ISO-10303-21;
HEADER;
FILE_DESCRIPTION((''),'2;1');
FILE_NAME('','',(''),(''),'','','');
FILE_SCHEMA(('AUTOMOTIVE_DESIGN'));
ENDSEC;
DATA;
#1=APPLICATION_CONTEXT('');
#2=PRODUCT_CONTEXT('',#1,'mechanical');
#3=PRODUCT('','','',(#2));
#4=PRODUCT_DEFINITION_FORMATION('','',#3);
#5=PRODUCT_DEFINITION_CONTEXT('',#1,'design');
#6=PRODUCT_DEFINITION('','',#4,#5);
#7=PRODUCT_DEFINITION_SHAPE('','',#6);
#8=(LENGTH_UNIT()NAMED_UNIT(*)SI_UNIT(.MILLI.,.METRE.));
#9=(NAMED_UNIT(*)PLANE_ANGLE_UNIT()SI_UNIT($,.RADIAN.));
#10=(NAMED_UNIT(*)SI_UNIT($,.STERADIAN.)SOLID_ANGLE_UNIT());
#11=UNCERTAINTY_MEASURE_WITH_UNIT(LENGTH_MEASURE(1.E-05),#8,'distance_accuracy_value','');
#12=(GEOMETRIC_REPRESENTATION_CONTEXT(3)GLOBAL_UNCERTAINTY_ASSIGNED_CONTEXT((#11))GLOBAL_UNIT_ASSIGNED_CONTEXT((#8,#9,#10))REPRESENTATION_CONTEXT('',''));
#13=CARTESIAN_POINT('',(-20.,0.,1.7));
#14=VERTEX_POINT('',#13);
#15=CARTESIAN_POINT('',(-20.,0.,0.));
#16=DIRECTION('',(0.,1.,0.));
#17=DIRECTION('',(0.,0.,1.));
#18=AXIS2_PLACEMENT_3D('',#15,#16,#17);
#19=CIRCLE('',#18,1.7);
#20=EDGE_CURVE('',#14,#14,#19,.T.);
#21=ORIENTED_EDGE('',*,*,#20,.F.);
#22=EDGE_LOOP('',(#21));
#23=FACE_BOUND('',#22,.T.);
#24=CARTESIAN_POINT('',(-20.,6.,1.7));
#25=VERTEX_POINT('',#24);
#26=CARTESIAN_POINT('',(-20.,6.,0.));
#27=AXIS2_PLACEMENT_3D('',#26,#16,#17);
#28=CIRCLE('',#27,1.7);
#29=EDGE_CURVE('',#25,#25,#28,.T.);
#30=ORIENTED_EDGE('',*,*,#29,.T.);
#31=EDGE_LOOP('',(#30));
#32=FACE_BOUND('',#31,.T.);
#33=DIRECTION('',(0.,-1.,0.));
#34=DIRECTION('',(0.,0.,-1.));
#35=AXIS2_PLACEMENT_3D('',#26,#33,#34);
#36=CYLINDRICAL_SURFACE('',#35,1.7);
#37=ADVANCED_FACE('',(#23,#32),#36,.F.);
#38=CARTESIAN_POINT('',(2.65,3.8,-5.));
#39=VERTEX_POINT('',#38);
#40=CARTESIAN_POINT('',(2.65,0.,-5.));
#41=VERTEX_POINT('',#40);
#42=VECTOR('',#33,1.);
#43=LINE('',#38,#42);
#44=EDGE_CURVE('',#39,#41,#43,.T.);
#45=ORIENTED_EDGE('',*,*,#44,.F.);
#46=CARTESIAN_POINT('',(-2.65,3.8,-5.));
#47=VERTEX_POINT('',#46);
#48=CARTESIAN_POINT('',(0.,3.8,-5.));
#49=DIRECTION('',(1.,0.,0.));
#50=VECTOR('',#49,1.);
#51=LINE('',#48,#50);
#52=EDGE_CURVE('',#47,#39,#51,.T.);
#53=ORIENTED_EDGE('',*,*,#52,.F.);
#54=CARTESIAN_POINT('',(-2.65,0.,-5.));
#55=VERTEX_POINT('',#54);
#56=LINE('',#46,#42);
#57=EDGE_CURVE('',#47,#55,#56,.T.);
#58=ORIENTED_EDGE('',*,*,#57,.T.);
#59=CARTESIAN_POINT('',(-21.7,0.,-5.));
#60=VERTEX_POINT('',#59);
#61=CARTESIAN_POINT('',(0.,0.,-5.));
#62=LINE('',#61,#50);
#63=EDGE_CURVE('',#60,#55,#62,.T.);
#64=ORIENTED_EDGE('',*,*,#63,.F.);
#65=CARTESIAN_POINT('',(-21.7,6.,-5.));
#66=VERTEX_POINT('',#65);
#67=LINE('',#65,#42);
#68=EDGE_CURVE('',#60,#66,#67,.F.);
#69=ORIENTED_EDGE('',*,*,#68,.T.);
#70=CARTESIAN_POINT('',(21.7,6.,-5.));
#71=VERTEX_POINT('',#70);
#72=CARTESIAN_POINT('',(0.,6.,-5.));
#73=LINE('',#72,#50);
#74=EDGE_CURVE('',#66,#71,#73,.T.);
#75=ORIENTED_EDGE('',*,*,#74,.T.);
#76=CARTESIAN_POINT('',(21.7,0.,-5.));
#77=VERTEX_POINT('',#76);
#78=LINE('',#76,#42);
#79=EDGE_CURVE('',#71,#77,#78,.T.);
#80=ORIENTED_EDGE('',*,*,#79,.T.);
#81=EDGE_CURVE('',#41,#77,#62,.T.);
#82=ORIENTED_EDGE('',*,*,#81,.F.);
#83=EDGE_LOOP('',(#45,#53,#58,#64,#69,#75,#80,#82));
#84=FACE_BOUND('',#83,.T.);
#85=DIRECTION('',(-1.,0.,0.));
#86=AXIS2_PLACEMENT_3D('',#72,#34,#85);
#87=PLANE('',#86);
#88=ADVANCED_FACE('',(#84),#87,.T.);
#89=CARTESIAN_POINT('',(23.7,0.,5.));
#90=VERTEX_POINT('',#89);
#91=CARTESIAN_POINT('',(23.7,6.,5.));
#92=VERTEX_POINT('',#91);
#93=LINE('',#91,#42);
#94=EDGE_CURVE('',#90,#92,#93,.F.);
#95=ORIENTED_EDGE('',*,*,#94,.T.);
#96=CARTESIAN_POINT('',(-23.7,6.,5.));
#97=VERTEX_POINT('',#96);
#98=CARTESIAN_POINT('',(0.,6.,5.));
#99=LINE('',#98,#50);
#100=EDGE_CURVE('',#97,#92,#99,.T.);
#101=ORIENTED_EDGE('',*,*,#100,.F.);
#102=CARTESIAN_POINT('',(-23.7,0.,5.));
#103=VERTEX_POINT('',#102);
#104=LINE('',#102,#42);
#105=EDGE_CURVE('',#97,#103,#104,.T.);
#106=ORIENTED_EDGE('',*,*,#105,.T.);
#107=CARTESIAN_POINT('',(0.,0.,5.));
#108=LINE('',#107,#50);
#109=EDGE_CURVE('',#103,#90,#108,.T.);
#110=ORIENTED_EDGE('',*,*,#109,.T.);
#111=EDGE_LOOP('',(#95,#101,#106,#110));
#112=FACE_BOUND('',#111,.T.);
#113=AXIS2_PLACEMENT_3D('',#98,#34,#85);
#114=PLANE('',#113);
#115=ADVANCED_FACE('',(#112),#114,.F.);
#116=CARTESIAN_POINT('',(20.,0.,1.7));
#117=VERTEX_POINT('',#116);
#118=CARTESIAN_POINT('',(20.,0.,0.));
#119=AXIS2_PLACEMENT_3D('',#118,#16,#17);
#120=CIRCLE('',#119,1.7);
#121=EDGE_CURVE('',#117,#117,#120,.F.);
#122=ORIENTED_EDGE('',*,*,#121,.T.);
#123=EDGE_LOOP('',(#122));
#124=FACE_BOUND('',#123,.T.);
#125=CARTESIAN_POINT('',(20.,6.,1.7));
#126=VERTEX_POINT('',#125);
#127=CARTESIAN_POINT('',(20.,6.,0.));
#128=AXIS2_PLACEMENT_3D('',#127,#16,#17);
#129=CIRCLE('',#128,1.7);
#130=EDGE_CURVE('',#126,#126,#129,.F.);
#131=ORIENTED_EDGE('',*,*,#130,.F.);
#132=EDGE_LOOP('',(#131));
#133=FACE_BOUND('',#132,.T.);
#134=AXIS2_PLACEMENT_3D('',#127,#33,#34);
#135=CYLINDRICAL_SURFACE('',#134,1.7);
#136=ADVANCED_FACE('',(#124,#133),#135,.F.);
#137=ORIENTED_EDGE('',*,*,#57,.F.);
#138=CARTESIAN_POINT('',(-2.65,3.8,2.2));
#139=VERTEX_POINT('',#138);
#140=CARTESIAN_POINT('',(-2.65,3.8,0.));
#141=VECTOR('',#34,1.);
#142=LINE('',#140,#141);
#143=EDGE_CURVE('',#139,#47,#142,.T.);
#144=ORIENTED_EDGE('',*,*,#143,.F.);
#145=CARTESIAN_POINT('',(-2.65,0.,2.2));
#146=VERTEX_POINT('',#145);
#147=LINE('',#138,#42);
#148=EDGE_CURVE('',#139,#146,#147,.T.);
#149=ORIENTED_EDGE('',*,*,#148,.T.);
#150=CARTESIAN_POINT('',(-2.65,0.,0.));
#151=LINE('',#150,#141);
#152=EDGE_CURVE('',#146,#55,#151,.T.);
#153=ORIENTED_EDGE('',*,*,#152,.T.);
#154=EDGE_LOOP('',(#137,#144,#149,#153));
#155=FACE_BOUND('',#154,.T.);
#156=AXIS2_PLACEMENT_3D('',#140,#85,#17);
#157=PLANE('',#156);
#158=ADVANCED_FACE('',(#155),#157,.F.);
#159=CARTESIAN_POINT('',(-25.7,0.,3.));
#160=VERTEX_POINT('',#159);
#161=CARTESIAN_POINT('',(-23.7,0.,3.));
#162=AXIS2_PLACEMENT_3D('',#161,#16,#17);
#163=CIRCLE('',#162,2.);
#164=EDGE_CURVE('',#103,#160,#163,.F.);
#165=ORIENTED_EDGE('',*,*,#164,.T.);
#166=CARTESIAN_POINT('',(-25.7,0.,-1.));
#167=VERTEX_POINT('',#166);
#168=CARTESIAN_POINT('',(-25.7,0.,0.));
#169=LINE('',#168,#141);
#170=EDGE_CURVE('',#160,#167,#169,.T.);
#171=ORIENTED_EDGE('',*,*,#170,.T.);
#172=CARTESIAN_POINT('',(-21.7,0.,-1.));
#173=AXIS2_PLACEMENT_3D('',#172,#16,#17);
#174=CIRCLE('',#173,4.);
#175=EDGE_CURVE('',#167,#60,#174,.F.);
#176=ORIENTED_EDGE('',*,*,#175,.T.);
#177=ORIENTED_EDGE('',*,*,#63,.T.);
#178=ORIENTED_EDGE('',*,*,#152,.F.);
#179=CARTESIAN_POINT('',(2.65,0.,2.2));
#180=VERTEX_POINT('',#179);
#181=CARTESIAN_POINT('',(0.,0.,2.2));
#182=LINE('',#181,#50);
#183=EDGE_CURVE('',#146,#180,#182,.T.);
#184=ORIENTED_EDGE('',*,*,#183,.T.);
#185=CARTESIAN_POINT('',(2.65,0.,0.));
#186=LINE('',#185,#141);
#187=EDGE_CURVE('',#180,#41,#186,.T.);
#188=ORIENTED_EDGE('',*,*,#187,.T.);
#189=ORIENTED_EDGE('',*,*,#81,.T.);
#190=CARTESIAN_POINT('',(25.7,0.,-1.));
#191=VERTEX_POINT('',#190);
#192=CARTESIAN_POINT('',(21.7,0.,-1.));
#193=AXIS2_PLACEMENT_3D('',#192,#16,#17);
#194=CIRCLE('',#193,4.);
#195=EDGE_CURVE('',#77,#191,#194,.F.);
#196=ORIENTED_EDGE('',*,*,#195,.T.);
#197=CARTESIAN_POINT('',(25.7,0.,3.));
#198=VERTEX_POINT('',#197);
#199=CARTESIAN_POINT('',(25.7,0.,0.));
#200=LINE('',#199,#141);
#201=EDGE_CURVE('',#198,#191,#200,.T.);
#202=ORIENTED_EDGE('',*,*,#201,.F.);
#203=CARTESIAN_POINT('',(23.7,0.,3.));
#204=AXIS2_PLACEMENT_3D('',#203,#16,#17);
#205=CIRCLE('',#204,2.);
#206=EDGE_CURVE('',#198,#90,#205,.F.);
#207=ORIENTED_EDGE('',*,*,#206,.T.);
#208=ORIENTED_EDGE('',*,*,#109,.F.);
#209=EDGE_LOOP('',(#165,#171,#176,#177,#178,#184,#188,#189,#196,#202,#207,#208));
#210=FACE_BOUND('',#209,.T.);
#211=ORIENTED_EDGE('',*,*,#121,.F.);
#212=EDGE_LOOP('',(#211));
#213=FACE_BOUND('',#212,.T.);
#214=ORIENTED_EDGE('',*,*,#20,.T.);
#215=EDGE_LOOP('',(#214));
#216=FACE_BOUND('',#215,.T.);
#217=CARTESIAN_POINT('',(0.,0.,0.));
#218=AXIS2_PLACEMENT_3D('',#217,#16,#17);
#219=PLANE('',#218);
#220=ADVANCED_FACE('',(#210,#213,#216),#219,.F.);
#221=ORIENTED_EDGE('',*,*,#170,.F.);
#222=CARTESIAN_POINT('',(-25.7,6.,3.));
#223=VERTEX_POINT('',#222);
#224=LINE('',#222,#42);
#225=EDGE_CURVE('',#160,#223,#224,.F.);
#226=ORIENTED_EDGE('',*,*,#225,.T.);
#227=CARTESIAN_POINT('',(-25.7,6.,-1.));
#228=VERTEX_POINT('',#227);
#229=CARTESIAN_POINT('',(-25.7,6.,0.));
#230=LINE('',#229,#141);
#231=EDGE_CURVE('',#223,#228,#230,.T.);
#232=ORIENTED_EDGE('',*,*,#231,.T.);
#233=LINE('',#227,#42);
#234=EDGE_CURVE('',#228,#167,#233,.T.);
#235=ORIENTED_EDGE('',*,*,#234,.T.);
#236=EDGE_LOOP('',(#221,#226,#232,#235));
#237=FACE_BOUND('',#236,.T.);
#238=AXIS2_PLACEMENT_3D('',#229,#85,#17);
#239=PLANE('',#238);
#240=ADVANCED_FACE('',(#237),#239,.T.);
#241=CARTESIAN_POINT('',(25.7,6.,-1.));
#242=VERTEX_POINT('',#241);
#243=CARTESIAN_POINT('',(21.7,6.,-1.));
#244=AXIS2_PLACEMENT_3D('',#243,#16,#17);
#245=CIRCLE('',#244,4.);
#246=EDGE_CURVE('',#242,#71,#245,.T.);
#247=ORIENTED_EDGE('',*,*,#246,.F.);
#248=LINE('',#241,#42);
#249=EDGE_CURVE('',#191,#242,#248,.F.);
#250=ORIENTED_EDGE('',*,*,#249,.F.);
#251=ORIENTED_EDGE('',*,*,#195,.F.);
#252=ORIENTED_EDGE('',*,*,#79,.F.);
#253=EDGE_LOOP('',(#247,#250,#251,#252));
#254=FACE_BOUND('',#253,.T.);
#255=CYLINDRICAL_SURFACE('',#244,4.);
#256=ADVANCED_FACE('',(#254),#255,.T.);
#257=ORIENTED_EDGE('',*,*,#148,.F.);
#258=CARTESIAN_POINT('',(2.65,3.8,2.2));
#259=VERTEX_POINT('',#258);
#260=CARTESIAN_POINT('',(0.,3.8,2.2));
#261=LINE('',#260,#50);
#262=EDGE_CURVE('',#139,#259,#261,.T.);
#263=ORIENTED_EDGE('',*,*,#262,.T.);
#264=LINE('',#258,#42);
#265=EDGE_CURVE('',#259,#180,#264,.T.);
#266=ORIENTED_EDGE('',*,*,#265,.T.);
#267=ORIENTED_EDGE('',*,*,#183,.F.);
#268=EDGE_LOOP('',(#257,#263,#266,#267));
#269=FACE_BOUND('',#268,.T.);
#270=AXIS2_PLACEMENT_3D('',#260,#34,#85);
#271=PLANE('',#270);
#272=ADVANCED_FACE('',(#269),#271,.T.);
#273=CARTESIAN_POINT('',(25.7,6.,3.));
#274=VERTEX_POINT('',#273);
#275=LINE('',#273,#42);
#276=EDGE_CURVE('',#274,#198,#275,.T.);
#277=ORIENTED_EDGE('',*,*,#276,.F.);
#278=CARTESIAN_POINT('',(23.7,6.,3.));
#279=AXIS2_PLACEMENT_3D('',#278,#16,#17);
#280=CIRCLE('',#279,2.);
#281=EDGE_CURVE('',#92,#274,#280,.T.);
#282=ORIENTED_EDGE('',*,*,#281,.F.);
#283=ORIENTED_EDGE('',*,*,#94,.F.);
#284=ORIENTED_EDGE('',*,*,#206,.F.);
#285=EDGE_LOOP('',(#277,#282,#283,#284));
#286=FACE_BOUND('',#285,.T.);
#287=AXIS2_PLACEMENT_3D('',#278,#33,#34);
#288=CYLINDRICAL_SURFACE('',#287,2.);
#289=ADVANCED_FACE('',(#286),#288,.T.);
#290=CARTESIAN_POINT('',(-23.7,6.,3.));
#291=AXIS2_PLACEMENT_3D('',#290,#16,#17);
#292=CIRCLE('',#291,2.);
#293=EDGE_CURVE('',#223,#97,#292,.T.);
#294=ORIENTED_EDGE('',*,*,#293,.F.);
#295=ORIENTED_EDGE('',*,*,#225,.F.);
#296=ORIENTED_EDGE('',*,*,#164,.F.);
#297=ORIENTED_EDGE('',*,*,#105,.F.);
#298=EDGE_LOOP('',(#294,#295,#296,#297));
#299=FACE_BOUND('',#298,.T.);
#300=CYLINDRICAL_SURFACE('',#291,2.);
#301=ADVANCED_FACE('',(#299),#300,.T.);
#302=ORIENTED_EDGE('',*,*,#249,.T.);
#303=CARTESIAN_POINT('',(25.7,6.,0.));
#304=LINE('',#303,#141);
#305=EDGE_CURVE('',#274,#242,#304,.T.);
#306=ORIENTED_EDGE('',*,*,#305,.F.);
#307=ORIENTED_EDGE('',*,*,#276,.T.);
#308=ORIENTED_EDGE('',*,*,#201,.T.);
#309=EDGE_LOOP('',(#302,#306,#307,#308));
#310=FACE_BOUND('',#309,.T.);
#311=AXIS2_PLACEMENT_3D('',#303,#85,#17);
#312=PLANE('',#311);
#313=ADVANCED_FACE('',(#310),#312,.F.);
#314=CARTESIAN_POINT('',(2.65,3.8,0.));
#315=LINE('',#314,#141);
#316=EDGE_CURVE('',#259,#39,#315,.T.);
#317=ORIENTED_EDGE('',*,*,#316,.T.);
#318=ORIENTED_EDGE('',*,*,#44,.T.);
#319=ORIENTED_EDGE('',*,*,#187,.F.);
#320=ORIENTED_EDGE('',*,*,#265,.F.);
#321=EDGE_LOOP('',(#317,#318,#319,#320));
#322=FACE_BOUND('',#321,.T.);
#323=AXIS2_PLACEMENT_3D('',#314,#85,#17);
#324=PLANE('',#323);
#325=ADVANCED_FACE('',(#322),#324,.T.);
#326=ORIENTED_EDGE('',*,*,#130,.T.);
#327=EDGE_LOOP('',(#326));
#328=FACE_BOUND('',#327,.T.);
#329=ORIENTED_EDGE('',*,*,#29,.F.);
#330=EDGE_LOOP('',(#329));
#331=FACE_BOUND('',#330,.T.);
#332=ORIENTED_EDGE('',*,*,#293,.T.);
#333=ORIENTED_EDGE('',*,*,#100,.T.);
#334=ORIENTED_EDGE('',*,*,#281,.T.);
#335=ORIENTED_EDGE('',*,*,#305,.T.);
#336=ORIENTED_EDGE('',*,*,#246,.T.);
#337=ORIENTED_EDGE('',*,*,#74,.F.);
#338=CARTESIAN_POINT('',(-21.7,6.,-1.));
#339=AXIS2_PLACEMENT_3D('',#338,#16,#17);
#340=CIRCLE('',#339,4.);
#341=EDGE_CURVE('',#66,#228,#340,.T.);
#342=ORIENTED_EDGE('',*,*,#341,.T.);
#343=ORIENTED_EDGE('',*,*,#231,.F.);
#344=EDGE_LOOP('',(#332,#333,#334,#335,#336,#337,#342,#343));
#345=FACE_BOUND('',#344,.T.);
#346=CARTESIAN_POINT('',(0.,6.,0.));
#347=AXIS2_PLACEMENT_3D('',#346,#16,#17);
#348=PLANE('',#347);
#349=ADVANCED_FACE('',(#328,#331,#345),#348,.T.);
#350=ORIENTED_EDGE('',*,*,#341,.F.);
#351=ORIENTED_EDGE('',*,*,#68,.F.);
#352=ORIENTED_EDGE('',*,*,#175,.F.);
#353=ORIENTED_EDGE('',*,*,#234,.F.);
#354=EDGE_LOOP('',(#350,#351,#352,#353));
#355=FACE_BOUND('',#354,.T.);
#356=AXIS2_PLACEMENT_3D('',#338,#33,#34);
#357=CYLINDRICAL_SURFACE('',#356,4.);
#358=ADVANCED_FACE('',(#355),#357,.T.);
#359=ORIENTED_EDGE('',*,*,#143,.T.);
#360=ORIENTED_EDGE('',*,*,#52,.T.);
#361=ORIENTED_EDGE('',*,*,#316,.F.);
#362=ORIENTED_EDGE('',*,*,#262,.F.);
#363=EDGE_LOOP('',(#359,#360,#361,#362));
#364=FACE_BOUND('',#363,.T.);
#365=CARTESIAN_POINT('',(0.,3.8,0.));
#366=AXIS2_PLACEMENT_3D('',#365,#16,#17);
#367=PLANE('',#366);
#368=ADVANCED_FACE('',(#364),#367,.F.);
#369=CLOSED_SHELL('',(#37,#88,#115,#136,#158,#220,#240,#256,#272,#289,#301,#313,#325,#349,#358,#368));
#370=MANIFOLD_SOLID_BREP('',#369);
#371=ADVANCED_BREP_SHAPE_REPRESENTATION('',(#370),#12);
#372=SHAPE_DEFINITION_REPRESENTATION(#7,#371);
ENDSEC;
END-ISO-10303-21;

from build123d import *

# Parameters (mm, degrees)
SKETCH1_W           = 51.4
SKETCH1_H           = 10
SKETCH1_R           = 1.7
BOSS_EXTRUDE2_DEPTH = 6
SKETCH1_4_W         = 5.3
SKETCH1_4_H         = 7.2
CUT_EXTRUDE1_DEPTH  = 3.8
FILLET2_R           = 4
FILLET3_R           = 2


with BuildPart() as part:
    # Sketch1 → Boss-Extrude2 (new body)
    with BuildSketch(Plane(origin=(0, 0, 0), x_dir=(1, 0, 0), z_dir=(0, 1, 0))):
        Rectangle(SKETCH1_W, SKETCH1_H)
        with Locations((-20, 0)):
            Circle(SKETCH1_R, mode=Mode.SUBTRACT)
        with Locations((20, 0)):
            Circle(SKETCH1_R, mode=Mode.SUBTRACT)
    extrude(amount=BOSS_EXTRUDE2_DEPTH)

    # Sketch1<4> → Cut-Extrude1 (cut)
    with BuildSketch(Plane(origin=(0, 0, 0), x_dir=(1, 0, 0), z_dir=(0, 1, 0))):
        with Locations((0, 1.4)):
            Rectangle(SKETCH1_4_W, SKETCH1_4_H)
    extrude(amount=CUT_EXTRUDE1_DEPTH, mode=Mode.SUBTRACT)

    # Fillet2
    fillet2_edges = [part.edges().sort_by_distance(p)[0] for p in [
        (25.7, 3, -5),
        (-25.7, 3, -5),
    ]]
    fillet(fillet2_edges, radius=FILLET2_R)

    # Fillet3
    fillet3_edges = [part.edges().sort_by_distance(p)[0] for p in [
        (25.7, 3, 5),
        (-25.7, 3, 5),
    ]]
    fillet(fillet3_edges, radius=FILLET3_R)


solid = part.part
